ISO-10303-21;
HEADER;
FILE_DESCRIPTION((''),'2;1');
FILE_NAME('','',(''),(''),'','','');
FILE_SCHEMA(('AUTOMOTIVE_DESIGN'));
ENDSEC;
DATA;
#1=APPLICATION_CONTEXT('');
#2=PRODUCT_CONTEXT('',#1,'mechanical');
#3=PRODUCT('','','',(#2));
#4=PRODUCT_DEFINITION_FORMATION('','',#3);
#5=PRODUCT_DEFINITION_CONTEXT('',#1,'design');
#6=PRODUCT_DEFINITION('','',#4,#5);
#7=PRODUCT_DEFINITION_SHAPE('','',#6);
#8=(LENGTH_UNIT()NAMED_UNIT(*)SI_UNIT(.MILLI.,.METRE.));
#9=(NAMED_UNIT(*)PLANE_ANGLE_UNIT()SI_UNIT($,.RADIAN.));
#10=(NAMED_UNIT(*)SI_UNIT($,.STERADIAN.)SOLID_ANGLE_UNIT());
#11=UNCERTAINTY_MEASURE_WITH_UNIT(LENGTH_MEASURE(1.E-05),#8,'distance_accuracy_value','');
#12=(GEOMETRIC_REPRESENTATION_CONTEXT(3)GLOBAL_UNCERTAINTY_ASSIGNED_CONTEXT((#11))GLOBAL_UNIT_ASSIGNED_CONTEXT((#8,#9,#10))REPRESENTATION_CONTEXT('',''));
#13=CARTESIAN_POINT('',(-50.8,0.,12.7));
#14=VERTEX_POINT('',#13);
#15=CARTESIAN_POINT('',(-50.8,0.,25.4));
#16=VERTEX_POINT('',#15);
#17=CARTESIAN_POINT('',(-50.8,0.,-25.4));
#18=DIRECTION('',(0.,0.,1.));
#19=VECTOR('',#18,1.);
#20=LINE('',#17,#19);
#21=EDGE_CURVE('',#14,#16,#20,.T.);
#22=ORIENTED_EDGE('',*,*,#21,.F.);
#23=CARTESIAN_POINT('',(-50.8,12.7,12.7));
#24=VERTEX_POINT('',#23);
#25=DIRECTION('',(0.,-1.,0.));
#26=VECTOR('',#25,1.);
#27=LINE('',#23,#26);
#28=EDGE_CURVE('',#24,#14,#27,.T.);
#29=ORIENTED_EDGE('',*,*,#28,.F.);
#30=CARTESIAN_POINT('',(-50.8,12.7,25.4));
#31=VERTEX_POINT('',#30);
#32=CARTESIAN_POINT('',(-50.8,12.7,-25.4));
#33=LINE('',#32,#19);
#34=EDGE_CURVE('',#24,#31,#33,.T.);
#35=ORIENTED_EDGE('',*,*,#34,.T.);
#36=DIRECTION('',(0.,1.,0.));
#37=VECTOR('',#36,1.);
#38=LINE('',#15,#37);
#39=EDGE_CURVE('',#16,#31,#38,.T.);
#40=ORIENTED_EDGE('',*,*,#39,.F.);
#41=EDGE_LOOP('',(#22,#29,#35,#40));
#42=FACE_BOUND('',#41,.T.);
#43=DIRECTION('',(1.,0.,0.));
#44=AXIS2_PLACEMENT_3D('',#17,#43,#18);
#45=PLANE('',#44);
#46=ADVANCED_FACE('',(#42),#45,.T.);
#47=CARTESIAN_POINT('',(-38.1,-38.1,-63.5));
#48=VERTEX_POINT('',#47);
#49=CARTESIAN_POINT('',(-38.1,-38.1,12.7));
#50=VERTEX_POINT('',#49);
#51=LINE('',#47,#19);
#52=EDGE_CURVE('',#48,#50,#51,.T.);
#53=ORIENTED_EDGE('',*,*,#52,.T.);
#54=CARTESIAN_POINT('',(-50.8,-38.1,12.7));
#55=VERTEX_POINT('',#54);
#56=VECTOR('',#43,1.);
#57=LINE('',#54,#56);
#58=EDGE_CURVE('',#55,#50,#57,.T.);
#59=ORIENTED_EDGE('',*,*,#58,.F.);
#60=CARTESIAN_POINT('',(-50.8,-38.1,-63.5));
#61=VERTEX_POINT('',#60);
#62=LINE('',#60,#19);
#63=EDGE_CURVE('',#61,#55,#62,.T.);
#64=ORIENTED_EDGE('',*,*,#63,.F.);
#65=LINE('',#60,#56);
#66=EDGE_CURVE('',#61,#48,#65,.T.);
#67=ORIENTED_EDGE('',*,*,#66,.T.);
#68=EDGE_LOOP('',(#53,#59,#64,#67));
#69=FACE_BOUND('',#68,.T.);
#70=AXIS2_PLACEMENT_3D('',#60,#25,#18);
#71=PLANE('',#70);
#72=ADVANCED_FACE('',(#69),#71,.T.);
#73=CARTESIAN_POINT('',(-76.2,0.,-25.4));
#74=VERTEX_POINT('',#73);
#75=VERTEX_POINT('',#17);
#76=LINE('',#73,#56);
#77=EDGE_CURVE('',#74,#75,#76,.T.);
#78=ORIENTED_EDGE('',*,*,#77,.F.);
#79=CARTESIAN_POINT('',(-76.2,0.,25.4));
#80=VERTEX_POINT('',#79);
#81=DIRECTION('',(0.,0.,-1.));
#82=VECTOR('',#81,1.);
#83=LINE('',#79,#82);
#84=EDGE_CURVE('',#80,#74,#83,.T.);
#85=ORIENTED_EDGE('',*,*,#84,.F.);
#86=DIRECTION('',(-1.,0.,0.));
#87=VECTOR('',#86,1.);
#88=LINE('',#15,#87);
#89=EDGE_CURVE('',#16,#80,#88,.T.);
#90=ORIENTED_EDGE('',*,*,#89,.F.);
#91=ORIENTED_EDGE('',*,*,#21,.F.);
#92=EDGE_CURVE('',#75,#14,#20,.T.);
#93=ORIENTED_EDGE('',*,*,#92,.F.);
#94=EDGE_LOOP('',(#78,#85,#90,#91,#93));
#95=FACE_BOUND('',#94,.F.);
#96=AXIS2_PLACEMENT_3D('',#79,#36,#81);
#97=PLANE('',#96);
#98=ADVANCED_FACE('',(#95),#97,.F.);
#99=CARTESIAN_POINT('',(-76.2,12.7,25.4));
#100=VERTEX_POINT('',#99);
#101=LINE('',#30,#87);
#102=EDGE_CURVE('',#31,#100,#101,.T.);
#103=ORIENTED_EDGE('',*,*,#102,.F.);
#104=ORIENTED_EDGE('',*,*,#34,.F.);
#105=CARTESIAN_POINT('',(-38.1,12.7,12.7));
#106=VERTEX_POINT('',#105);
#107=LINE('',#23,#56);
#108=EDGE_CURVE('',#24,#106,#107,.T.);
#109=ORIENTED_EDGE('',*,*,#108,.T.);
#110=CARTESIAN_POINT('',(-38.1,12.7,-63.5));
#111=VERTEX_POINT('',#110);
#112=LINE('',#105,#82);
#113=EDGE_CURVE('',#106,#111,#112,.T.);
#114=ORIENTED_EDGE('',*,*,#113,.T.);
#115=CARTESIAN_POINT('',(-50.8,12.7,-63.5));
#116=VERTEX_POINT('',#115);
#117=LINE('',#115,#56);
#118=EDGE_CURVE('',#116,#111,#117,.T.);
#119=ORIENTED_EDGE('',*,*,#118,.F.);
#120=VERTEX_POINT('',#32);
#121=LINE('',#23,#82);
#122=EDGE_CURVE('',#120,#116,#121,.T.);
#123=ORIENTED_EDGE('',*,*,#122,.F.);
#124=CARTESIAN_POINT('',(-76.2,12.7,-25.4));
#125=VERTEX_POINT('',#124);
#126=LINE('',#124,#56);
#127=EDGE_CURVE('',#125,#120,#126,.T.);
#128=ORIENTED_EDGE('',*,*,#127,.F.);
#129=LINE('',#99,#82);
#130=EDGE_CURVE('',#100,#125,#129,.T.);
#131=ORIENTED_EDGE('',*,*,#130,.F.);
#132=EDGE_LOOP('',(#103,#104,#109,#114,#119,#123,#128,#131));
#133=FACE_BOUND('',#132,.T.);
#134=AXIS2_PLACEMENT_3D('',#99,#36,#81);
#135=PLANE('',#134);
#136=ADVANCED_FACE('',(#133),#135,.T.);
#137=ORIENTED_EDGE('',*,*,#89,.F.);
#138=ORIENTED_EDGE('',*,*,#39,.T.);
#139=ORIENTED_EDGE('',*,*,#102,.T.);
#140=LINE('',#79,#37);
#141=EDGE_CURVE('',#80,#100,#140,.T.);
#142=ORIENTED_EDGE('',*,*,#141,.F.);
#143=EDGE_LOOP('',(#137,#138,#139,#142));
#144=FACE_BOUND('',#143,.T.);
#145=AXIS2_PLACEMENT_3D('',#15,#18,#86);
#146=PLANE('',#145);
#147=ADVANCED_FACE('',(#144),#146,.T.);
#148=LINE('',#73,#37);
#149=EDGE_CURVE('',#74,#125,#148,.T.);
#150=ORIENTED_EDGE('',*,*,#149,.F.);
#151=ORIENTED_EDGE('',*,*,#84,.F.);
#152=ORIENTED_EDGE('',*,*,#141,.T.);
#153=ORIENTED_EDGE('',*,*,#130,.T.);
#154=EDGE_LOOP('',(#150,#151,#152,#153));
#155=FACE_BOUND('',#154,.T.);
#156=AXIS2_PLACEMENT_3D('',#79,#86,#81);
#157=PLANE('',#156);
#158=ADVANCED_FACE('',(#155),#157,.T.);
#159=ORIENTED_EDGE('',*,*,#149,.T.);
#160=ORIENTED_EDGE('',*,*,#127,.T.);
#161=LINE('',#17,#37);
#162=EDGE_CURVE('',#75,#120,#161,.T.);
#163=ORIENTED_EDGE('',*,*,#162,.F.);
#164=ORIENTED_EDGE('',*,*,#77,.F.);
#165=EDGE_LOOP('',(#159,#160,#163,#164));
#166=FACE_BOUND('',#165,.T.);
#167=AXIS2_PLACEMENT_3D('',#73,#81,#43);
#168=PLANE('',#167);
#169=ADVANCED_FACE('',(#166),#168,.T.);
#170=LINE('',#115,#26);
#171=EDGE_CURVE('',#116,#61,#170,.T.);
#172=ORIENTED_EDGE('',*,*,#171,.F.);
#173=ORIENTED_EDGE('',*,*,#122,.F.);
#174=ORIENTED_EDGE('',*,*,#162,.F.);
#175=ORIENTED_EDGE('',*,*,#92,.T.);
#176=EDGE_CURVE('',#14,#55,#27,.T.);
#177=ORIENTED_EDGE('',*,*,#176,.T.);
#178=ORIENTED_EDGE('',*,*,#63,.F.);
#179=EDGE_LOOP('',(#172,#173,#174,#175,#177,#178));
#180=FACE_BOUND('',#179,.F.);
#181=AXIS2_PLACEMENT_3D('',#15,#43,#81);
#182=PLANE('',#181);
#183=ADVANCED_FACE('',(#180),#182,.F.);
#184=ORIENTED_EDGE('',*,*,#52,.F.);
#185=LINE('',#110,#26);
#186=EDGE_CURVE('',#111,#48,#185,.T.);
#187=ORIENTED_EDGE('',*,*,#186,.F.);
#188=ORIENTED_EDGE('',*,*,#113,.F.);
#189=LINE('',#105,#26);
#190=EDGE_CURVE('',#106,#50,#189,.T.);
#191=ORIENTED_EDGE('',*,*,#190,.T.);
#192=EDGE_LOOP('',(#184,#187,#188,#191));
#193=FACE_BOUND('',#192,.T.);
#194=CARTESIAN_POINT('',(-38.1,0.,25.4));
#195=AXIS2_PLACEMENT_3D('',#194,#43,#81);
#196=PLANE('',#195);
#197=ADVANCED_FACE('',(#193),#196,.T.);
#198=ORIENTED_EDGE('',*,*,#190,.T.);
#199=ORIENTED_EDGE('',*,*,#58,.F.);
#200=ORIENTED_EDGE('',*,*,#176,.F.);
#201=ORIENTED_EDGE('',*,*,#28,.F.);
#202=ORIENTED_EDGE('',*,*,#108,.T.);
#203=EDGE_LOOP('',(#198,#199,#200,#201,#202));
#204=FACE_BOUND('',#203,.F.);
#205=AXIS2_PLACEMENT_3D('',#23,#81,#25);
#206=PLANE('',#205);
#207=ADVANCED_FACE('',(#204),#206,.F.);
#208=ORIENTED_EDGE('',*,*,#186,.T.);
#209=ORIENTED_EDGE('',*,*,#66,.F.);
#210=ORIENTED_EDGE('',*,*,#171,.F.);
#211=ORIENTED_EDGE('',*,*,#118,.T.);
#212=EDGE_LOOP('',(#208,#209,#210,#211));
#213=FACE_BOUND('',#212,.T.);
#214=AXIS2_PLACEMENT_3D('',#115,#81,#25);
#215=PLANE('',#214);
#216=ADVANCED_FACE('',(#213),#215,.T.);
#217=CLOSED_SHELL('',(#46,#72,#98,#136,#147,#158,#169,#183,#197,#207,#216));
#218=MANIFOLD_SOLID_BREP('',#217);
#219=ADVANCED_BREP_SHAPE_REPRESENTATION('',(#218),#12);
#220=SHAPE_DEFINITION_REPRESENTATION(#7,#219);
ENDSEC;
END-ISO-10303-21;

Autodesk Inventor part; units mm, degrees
ref_plane "YZ Plane" through (0, 0, 0) normal (1, 0, 0) x (0, 1, 0)
ref_plane "XZ Plane" through (0, 0, 0) normal (0, 1, 0) x (-1, 0, 0)
ref_plane "XY Plane" through (0, 0, 0) normal (0, 0, 1) x (1, 0, 0)
sketch "Sketch1" plane through (0, 0, 0) normal (0, 1, 0) x (-1, 0, 0)
  line L0 (0, 0) -> (50.8, 0)
  line L1 (50.8, 0) -> (50.8, -25.4)
  line L2 (50.8, -25.4) -> (0, -25.4)
  line L3 (0, -25.4) -> (0, 0)
  dimension "d0" = 50.8
  dimension "d1" = 25.4
  dimension "d2" = 50.8
  dimension "d3" = 90
extrude "Extrusion1" add sketch "Sketch1" along normal blind 12.7
sketch "Sketch2" plane through (0, 0, -25.4) normal (0, 0, -1) x (-1, 0, 0)
  line L0 (0, 12.7) -> (50.8, 12.7) projected
  line L1 (50.8, 12.7) -> (12.7, 12.7)
  line L2 (12.7, 12.7) -> (12.7, -76.2)
  line L3 (12.7, 12.7) -> (88.9, 12.7)
  line L4 (88.9, 12.7) -> (88.9, -38.1)
  line L5 (88.9, -38.1) -> (12.7, -38.1)
  line L6 (12.7, -38.1) -> (12.7, 12.7)
  point P0 (0, 0)
  point P1 (12.7, -38.1)
  dimension "d11" = 76.2
  dimension "d12" = 50.8
extrude "Extrusion2" add sketch "Sketch2" along normal blind 12.7
move or copy body "Move Body1" bodies to move or copy 1 copy no rotation origin (0, 0, 0) rotation axis (0, 1, 0) rotation angle -90 translate (-76.2, 0, 25.4)
properties part number "wobble goal arm"
